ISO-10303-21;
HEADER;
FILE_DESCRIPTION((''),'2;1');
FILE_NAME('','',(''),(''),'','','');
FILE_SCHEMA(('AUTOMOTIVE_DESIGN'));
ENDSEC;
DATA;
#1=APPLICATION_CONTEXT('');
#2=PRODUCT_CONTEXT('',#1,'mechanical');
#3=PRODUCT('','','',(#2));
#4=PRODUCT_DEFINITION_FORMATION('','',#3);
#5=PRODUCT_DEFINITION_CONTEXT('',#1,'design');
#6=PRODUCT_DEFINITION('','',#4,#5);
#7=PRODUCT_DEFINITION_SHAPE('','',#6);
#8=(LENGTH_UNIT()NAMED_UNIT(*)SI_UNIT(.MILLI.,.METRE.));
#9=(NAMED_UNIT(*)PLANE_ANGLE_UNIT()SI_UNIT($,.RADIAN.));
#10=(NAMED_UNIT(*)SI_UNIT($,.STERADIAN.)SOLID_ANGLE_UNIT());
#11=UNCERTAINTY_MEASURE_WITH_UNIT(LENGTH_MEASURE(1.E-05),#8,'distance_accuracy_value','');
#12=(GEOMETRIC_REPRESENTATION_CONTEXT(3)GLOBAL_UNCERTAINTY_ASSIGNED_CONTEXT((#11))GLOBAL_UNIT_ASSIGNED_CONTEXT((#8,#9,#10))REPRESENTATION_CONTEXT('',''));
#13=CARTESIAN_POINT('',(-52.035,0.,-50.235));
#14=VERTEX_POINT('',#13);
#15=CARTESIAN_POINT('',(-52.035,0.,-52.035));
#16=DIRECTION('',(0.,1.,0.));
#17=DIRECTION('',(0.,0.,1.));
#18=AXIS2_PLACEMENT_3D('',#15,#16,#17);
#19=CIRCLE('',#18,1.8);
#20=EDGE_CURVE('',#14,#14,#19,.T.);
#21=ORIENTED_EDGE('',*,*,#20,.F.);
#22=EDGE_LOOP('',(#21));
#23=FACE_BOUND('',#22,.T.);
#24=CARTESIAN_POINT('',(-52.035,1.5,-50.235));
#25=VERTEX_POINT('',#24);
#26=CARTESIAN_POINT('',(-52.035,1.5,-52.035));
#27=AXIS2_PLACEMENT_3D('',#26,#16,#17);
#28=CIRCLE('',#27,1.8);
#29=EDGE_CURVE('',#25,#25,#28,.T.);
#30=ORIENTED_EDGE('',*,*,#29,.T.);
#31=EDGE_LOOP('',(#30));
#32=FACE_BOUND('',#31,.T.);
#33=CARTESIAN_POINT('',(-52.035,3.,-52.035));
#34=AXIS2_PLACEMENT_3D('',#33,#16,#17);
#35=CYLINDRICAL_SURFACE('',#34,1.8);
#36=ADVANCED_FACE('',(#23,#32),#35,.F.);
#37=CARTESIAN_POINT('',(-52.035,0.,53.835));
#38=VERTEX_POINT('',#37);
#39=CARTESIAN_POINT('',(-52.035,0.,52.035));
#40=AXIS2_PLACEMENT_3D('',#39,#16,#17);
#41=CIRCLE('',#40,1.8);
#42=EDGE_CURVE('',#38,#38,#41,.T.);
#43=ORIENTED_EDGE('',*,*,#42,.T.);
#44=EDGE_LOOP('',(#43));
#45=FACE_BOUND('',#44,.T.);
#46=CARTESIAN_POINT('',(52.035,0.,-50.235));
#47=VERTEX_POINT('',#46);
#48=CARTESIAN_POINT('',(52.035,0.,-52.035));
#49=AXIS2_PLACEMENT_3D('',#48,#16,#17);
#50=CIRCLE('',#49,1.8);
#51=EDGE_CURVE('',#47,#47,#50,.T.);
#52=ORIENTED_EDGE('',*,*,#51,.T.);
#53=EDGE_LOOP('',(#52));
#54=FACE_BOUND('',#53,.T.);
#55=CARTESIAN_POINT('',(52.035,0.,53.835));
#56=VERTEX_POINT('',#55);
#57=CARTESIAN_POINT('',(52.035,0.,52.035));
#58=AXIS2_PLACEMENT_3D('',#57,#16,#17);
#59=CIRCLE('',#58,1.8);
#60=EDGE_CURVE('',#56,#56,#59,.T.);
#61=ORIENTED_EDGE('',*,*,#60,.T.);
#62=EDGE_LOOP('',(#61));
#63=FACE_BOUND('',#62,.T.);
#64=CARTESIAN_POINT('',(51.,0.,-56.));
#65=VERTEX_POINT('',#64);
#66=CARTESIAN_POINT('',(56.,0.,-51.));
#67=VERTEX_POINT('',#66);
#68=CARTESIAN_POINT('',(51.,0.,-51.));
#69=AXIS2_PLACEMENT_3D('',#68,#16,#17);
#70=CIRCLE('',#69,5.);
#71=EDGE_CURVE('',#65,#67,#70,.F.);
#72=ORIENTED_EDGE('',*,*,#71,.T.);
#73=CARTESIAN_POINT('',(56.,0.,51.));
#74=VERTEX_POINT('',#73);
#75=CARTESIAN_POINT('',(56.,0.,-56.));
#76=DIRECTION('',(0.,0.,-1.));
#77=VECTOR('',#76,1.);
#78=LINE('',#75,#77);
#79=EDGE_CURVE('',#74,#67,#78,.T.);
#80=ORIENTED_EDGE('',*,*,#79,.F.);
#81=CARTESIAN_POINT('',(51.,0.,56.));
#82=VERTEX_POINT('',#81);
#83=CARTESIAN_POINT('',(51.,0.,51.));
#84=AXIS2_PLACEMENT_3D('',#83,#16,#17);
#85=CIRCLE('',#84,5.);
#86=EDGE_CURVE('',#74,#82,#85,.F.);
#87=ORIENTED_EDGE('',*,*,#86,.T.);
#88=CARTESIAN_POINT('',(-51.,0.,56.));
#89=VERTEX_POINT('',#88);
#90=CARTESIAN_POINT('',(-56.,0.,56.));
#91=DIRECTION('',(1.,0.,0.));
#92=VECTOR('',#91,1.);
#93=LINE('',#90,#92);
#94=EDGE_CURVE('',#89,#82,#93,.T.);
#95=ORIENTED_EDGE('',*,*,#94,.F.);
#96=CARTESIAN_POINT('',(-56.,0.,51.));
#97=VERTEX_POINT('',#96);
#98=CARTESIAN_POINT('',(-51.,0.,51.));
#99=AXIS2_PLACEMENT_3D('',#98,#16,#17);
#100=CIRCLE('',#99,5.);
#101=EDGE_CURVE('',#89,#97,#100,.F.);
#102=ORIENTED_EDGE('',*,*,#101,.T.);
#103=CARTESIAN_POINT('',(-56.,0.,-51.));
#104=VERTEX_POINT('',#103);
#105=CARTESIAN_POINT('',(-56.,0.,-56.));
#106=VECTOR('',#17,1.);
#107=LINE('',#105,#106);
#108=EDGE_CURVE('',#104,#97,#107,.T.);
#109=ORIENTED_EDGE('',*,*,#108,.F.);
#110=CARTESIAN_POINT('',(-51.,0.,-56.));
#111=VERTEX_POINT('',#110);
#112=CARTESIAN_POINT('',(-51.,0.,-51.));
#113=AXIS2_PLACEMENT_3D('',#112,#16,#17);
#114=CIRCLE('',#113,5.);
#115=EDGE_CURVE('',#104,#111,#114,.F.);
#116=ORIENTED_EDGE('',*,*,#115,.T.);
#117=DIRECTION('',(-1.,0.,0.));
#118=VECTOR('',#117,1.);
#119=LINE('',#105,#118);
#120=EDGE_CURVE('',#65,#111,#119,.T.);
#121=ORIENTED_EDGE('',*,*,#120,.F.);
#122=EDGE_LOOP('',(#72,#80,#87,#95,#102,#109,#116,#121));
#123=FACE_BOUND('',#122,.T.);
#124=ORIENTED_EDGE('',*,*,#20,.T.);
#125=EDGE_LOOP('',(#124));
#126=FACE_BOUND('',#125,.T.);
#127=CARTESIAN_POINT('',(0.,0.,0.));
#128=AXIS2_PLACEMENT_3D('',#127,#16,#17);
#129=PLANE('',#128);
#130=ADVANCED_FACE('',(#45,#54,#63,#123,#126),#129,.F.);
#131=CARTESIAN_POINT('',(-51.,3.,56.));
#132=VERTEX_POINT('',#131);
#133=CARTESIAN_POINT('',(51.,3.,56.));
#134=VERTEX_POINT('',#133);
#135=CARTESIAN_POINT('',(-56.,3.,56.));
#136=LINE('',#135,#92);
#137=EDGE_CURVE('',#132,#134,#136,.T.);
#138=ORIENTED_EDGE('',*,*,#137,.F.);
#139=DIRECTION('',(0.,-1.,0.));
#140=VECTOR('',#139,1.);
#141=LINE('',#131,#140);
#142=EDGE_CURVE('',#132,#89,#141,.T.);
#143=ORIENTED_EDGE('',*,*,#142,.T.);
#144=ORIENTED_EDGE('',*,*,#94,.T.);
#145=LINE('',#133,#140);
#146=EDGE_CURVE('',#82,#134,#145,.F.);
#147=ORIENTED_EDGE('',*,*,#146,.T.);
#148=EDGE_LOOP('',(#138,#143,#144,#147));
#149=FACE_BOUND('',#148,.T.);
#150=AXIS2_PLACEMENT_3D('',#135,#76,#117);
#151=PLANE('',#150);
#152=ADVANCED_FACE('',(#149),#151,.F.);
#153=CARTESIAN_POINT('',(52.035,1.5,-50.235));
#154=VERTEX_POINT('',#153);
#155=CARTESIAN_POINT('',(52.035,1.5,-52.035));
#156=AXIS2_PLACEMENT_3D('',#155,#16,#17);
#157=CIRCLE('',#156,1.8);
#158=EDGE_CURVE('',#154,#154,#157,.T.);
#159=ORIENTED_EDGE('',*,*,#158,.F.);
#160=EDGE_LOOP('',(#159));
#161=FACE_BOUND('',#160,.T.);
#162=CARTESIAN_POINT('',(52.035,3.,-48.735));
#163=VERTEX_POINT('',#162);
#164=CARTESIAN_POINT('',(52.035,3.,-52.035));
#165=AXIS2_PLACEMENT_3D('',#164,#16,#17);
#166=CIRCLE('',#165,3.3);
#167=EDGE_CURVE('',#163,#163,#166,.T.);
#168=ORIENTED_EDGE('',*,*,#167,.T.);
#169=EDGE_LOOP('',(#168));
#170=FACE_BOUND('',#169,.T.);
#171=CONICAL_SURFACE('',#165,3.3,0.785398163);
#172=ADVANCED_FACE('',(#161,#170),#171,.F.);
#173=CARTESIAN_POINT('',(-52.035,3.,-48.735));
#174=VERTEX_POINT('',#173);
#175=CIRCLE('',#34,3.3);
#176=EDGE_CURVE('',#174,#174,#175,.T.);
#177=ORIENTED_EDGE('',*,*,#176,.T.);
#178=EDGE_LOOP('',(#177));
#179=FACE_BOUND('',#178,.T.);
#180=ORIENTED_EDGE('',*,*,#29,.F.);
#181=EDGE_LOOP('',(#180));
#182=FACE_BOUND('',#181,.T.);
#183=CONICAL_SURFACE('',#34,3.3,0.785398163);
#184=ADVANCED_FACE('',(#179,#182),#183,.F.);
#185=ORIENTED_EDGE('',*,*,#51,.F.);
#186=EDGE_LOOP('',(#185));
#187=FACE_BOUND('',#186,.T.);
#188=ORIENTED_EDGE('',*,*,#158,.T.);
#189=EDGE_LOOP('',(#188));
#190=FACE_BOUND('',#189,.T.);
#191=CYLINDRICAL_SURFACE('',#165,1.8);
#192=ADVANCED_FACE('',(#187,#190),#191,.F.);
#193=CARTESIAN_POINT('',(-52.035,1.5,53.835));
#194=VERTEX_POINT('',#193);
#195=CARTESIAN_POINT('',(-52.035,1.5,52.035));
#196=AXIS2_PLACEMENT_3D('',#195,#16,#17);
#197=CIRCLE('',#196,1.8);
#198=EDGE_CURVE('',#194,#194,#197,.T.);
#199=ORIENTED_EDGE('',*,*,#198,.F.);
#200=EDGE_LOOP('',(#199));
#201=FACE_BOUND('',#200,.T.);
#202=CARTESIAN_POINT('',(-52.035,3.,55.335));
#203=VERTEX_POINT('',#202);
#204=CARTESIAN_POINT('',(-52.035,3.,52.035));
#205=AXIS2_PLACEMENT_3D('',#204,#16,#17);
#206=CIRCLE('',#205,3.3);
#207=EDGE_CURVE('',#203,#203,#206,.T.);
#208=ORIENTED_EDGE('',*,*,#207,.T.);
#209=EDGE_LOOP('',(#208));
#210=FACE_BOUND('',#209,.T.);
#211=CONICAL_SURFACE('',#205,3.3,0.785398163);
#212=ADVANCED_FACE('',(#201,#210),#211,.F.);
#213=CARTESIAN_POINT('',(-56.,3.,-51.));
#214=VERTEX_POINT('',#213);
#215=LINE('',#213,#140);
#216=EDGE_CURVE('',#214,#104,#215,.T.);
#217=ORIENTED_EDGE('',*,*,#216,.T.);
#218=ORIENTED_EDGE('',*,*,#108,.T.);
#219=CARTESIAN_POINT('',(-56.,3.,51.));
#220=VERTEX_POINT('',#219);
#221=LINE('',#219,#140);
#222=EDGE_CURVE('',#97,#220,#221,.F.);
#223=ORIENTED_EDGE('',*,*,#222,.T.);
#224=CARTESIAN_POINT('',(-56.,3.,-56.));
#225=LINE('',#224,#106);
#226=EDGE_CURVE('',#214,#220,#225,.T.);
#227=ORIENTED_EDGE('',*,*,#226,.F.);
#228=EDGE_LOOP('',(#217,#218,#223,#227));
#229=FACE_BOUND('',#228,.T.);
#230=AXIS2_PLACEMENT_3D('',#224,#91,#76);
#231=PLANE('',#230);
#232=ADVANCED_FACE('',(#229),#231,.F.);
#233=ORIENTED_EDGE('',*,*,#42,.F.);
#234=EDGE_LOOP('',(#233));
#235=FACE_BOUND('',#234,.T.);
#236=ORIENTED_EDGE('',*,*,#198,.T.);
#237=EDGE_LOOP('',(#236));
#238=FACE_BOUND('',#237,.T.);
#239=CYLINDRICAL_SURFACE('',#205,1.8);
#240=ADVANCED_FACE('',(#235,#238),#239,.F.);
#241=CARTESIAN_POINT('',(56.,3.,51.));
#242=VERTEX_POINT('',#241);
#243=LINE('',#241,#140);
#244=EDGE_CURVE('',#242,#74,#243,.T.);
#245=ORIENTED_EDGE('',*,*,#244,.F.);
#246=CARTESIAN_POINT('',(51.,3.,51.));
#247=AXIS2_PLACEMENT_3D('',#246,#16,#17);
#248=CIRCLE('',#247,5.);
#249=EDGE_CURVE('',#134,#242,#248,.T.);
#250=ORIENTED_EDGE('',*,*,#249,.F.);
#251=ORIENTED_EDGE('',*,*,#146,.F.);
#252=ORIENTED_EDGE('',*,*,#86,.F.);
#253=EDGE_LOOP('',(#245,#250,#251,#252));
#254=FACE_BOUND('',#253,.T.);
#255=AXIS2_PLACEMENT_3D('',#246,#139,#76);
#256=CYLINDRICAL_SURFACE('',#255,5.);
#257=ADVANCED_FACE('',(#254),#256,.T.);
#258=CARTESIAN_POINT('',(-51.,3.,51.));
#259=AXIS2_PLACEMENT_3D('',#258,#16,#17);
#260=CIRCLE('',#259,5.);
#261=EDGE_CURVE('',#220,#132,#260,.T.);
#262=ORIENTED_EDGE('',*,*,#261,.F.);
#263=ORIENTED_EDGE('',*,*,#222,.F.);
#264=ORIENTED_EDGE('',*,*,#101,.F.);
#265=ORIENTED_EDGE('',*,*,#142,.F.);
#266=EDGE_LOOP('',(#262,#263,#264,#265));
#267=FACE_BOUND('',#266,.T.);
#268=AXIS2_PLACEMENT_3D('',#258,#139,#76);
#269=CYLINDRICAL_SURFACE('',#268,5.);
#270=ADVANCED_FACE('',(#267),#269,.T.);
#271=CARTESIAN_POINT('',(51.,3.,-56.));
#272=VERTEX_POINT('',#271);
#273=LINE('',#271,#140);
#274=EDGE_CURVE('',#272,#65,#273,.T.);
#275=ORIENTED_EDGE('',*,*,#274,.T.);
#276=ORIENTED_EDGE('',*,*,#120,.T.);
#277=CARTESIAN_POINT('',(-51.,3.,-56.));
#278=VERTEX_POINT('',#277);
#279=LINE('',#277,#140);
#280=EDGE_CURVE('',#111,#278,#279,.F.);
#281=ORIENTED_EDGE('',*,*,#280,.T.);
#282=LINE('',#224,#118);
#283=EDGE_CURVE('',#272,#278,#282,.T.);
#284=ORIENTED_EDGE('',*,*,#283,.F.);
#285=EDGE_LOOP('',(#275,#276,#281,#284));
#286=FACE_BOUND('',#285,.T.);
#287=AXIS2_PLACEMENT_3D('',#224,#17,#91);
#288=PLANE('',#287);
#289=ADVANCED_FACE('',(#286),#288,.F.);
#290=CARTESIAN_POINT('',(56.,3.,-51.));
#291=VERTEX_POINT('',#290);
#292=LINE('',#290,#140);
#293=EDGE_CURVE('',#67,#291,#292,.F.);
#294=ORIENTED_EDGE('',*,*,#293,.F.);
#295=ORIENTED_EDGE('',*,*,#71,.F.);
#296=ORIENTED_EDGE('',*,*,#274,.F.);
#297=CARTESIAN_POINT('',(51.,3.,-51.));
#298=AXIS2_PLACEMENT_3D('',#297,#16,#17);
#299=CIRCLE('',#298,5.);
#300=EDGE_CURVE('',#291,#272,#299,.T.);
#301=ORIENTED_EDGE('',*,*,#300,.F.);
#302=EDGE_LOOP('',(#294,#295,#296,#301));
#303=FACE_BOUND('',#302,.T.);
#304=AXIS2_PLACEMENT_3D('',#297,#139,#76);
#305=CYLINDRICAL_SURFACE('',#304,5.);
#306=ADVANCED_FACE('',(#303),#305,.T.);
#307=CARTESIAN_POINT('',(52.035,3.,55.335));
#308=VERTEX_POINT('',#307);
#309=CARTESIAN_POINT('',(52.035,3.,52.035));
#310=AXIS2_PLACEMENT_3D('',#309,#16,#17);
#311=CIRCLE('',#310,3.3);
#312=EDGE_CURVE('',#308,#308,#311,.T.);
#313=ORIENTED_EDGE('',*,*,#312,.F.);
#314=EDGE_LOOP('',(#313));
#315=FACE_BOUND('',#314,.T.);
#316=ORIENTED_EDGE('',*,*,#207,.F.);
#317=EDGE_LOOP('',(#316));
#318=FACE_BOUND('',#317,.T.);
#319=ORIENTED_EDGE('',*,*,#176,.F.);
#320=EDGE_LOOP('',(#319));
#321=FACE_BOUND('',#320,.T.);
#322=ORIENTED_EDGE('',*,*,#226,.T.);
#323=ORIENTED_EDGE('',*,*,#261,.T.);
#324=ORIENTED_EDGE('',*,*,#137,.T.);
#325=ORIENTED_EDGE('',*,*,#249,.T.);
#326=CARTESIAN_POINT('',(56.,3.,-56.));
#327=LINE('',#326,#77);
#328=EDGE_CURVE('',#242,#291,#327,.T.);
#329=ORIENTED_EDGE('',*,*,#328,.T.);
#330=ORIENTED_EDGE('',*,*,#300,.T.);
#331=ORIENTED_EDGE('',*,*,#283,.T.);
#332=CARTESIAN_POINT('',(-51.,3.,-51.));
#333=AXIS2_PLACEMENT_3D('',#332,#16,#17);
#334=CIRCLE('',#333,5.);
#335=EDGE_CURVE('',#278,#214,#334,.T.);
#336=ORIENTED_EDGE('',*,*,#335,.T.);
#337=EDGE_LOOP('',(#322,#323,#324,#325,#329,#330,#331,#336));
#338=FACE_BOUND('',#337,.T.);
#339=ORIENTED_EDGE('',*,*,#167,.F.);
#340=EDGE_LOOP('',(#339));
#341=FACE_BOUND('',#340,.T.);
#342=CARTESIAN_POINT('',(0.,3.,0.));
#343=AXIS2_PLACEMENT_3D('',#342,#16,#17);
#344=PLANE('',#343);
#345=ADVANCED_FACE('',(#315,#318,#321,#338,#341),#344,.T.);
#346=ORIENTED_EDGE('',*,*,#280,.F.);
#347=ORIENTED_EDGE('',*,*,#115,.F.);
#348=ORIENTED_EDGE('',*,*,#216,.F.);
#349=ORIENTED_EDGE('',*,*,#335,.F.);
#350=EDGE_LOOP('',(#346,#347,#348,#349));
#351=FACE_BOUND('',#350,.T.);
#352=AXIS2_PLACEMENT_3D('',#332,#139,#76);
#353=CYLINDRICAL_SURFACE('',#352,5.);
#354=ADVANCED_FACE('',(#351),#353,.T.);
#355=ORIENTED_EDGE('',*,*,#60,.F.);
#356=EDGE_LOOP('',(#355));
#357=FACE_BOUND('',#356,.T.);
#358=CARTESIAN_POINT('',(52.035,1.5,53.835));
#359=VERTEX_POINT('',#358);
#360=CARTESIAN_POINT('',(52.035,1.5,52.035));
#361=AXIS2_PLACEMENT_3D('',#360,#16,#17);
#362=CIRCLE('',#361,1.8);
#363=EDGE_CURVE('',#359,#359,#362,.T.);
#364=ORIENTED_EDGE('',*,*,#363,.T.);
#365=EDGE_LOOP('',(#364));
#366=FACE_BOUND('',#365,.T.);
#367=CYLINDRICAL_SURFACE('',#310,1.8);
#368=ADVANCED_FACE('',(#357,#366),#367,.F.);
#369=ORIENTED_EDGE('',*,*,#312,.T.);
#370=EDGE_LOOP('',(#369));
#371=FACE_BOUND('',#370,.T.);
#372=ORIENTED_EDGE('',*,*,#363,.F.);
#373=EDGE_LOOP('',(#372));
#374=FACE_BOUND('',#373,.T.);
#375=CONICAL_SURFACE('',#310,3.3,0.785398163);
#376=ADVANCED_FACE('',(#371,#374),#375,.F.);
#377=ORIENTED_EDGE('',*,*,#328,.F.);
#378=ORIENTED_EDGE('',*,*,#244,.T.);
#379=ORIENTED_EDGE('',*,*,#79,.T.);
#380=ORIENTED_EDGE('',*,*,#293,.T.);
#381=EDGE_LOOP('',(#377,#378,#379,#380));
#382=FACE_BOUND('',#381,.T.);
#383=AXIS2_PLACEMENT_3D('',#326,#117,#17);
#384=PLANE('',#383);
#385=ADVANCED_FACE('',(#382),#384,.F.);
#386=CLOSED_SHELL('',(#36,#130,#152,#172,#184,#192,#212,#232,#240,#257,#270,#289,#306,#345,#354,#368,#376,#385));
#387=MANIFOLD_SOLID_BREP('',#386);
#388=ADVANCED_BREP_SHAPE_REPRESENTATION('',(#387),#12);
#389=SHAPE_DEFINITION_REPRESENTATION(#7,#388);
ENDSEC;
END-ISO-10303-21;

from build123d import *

# Parameters (mm, degrees)
SKETCH_1_W                  = 112
SKETCH_1_H                  = 112
EXTRUDE_1_DEPTH             = 3
HOLE_WIZARD_M3_5_AT_2_COUNT = 2
HOLE_WIZARD_M3_5_AT_2_PITCH = 147.177205436
HOLE_WIZARD_M3_5_AT_3_COUNT = 2
HOLE_WIZARD_M3_5_AT_3_PITCH = 104.07
HOLE_WIZARD_M3_5_AT_4_COUNT = 2
HOLE_WIZARD_M3_5_AT_4_PITCH = 104.07
FILLET_1_R                  = 5


with BuildPart() as part:
    # 草图1 → 凸台-拉伸1 (new body)
    with BuildSketch(Plane(origin=(0, 0, 0), x_dir=(1, 0, 0), z_dir=(0, 1, 0))):
        Rectangle(SKETCH_1_W, SKETCH_1_H)
    extrude(amount=EXTRUDE_1_DEPTH)

    # 草图20 → M3 十字槽半沉头木螺钉的锥形沉头孔5 (revolve, cut)
    with BuildSketch(Plane(origin=(52.035, 3, 52.035), x_dir=(0, 0, 1), z_dir=(1, 0, 0))):
        Polygon((0, 0), (0, 3), (1.8, 3), (1.8, 1.5), (3.3, 0), align=None)
    hole_wizard_m3_5 = revolve(axis=Axis((52.035, 9.35, 52.035), (0, -1, 0)), mode=Mode.SUBTRACT)

    # M3 十字槽半沉头木螺钉的锥形沉头孔5 at 2: M3 十字槽半沉头木螺钉的锥形沉头孔5 ×2
    with Locations(*[Vector(-0.707106781, 0, -0.707106781) * (i * HOLE_WIZARD_M3_5_AT_2_PITCH) for i in range(1, HOLE_WIZARD_M3_5_AT_2_COUNT)]):
        add(hole_wizard_m3_5, mode=Mode.SUBTRACT)

    # M3 十字槽半沉头木螺钉的锥形沉头孔5 at 3: M3 十字槽半沉头木螺钉的锥形沉头孔5 ×2
    with Locations(*[(-i * HOLE_WIZARD_M3_5_AT_3_PITCH, 0, 0) for i in range(1, HOLE_WIZARD_M3_5_AT_3_COUNT)]):
        add(hole_wizard_m3_5, mode=Mode.SUBTRACT)

    # M3 十字槽半沉头木螺钉的锥形沉头孔5 at 4: M3 十字槽半沉头木螺钉的锥形沉头孔5 ×2
    with Locations(*[(0, 0, -i * HOLE_WIZARD_M3_5_AT_4_PITCH) for i in range(1, HOLE_WIZARD_M3_5_AT_4_COUNT)]):
        add(hole_wizard_m3_5, mode=Mode.SUBTRACT)

    # 圆角1
    fillet_1_edges = [part.edges().sort_by_distance(p)[0] for p in [
        (56, 1.5, 56),
        (-56, 1.5, 56),
        (-56, 1.5, -56),
        (56, 1.5, -56),
    ]]
    fillet(fillet_1_edges, radius=FILLET_1_R)


solid = part.part
